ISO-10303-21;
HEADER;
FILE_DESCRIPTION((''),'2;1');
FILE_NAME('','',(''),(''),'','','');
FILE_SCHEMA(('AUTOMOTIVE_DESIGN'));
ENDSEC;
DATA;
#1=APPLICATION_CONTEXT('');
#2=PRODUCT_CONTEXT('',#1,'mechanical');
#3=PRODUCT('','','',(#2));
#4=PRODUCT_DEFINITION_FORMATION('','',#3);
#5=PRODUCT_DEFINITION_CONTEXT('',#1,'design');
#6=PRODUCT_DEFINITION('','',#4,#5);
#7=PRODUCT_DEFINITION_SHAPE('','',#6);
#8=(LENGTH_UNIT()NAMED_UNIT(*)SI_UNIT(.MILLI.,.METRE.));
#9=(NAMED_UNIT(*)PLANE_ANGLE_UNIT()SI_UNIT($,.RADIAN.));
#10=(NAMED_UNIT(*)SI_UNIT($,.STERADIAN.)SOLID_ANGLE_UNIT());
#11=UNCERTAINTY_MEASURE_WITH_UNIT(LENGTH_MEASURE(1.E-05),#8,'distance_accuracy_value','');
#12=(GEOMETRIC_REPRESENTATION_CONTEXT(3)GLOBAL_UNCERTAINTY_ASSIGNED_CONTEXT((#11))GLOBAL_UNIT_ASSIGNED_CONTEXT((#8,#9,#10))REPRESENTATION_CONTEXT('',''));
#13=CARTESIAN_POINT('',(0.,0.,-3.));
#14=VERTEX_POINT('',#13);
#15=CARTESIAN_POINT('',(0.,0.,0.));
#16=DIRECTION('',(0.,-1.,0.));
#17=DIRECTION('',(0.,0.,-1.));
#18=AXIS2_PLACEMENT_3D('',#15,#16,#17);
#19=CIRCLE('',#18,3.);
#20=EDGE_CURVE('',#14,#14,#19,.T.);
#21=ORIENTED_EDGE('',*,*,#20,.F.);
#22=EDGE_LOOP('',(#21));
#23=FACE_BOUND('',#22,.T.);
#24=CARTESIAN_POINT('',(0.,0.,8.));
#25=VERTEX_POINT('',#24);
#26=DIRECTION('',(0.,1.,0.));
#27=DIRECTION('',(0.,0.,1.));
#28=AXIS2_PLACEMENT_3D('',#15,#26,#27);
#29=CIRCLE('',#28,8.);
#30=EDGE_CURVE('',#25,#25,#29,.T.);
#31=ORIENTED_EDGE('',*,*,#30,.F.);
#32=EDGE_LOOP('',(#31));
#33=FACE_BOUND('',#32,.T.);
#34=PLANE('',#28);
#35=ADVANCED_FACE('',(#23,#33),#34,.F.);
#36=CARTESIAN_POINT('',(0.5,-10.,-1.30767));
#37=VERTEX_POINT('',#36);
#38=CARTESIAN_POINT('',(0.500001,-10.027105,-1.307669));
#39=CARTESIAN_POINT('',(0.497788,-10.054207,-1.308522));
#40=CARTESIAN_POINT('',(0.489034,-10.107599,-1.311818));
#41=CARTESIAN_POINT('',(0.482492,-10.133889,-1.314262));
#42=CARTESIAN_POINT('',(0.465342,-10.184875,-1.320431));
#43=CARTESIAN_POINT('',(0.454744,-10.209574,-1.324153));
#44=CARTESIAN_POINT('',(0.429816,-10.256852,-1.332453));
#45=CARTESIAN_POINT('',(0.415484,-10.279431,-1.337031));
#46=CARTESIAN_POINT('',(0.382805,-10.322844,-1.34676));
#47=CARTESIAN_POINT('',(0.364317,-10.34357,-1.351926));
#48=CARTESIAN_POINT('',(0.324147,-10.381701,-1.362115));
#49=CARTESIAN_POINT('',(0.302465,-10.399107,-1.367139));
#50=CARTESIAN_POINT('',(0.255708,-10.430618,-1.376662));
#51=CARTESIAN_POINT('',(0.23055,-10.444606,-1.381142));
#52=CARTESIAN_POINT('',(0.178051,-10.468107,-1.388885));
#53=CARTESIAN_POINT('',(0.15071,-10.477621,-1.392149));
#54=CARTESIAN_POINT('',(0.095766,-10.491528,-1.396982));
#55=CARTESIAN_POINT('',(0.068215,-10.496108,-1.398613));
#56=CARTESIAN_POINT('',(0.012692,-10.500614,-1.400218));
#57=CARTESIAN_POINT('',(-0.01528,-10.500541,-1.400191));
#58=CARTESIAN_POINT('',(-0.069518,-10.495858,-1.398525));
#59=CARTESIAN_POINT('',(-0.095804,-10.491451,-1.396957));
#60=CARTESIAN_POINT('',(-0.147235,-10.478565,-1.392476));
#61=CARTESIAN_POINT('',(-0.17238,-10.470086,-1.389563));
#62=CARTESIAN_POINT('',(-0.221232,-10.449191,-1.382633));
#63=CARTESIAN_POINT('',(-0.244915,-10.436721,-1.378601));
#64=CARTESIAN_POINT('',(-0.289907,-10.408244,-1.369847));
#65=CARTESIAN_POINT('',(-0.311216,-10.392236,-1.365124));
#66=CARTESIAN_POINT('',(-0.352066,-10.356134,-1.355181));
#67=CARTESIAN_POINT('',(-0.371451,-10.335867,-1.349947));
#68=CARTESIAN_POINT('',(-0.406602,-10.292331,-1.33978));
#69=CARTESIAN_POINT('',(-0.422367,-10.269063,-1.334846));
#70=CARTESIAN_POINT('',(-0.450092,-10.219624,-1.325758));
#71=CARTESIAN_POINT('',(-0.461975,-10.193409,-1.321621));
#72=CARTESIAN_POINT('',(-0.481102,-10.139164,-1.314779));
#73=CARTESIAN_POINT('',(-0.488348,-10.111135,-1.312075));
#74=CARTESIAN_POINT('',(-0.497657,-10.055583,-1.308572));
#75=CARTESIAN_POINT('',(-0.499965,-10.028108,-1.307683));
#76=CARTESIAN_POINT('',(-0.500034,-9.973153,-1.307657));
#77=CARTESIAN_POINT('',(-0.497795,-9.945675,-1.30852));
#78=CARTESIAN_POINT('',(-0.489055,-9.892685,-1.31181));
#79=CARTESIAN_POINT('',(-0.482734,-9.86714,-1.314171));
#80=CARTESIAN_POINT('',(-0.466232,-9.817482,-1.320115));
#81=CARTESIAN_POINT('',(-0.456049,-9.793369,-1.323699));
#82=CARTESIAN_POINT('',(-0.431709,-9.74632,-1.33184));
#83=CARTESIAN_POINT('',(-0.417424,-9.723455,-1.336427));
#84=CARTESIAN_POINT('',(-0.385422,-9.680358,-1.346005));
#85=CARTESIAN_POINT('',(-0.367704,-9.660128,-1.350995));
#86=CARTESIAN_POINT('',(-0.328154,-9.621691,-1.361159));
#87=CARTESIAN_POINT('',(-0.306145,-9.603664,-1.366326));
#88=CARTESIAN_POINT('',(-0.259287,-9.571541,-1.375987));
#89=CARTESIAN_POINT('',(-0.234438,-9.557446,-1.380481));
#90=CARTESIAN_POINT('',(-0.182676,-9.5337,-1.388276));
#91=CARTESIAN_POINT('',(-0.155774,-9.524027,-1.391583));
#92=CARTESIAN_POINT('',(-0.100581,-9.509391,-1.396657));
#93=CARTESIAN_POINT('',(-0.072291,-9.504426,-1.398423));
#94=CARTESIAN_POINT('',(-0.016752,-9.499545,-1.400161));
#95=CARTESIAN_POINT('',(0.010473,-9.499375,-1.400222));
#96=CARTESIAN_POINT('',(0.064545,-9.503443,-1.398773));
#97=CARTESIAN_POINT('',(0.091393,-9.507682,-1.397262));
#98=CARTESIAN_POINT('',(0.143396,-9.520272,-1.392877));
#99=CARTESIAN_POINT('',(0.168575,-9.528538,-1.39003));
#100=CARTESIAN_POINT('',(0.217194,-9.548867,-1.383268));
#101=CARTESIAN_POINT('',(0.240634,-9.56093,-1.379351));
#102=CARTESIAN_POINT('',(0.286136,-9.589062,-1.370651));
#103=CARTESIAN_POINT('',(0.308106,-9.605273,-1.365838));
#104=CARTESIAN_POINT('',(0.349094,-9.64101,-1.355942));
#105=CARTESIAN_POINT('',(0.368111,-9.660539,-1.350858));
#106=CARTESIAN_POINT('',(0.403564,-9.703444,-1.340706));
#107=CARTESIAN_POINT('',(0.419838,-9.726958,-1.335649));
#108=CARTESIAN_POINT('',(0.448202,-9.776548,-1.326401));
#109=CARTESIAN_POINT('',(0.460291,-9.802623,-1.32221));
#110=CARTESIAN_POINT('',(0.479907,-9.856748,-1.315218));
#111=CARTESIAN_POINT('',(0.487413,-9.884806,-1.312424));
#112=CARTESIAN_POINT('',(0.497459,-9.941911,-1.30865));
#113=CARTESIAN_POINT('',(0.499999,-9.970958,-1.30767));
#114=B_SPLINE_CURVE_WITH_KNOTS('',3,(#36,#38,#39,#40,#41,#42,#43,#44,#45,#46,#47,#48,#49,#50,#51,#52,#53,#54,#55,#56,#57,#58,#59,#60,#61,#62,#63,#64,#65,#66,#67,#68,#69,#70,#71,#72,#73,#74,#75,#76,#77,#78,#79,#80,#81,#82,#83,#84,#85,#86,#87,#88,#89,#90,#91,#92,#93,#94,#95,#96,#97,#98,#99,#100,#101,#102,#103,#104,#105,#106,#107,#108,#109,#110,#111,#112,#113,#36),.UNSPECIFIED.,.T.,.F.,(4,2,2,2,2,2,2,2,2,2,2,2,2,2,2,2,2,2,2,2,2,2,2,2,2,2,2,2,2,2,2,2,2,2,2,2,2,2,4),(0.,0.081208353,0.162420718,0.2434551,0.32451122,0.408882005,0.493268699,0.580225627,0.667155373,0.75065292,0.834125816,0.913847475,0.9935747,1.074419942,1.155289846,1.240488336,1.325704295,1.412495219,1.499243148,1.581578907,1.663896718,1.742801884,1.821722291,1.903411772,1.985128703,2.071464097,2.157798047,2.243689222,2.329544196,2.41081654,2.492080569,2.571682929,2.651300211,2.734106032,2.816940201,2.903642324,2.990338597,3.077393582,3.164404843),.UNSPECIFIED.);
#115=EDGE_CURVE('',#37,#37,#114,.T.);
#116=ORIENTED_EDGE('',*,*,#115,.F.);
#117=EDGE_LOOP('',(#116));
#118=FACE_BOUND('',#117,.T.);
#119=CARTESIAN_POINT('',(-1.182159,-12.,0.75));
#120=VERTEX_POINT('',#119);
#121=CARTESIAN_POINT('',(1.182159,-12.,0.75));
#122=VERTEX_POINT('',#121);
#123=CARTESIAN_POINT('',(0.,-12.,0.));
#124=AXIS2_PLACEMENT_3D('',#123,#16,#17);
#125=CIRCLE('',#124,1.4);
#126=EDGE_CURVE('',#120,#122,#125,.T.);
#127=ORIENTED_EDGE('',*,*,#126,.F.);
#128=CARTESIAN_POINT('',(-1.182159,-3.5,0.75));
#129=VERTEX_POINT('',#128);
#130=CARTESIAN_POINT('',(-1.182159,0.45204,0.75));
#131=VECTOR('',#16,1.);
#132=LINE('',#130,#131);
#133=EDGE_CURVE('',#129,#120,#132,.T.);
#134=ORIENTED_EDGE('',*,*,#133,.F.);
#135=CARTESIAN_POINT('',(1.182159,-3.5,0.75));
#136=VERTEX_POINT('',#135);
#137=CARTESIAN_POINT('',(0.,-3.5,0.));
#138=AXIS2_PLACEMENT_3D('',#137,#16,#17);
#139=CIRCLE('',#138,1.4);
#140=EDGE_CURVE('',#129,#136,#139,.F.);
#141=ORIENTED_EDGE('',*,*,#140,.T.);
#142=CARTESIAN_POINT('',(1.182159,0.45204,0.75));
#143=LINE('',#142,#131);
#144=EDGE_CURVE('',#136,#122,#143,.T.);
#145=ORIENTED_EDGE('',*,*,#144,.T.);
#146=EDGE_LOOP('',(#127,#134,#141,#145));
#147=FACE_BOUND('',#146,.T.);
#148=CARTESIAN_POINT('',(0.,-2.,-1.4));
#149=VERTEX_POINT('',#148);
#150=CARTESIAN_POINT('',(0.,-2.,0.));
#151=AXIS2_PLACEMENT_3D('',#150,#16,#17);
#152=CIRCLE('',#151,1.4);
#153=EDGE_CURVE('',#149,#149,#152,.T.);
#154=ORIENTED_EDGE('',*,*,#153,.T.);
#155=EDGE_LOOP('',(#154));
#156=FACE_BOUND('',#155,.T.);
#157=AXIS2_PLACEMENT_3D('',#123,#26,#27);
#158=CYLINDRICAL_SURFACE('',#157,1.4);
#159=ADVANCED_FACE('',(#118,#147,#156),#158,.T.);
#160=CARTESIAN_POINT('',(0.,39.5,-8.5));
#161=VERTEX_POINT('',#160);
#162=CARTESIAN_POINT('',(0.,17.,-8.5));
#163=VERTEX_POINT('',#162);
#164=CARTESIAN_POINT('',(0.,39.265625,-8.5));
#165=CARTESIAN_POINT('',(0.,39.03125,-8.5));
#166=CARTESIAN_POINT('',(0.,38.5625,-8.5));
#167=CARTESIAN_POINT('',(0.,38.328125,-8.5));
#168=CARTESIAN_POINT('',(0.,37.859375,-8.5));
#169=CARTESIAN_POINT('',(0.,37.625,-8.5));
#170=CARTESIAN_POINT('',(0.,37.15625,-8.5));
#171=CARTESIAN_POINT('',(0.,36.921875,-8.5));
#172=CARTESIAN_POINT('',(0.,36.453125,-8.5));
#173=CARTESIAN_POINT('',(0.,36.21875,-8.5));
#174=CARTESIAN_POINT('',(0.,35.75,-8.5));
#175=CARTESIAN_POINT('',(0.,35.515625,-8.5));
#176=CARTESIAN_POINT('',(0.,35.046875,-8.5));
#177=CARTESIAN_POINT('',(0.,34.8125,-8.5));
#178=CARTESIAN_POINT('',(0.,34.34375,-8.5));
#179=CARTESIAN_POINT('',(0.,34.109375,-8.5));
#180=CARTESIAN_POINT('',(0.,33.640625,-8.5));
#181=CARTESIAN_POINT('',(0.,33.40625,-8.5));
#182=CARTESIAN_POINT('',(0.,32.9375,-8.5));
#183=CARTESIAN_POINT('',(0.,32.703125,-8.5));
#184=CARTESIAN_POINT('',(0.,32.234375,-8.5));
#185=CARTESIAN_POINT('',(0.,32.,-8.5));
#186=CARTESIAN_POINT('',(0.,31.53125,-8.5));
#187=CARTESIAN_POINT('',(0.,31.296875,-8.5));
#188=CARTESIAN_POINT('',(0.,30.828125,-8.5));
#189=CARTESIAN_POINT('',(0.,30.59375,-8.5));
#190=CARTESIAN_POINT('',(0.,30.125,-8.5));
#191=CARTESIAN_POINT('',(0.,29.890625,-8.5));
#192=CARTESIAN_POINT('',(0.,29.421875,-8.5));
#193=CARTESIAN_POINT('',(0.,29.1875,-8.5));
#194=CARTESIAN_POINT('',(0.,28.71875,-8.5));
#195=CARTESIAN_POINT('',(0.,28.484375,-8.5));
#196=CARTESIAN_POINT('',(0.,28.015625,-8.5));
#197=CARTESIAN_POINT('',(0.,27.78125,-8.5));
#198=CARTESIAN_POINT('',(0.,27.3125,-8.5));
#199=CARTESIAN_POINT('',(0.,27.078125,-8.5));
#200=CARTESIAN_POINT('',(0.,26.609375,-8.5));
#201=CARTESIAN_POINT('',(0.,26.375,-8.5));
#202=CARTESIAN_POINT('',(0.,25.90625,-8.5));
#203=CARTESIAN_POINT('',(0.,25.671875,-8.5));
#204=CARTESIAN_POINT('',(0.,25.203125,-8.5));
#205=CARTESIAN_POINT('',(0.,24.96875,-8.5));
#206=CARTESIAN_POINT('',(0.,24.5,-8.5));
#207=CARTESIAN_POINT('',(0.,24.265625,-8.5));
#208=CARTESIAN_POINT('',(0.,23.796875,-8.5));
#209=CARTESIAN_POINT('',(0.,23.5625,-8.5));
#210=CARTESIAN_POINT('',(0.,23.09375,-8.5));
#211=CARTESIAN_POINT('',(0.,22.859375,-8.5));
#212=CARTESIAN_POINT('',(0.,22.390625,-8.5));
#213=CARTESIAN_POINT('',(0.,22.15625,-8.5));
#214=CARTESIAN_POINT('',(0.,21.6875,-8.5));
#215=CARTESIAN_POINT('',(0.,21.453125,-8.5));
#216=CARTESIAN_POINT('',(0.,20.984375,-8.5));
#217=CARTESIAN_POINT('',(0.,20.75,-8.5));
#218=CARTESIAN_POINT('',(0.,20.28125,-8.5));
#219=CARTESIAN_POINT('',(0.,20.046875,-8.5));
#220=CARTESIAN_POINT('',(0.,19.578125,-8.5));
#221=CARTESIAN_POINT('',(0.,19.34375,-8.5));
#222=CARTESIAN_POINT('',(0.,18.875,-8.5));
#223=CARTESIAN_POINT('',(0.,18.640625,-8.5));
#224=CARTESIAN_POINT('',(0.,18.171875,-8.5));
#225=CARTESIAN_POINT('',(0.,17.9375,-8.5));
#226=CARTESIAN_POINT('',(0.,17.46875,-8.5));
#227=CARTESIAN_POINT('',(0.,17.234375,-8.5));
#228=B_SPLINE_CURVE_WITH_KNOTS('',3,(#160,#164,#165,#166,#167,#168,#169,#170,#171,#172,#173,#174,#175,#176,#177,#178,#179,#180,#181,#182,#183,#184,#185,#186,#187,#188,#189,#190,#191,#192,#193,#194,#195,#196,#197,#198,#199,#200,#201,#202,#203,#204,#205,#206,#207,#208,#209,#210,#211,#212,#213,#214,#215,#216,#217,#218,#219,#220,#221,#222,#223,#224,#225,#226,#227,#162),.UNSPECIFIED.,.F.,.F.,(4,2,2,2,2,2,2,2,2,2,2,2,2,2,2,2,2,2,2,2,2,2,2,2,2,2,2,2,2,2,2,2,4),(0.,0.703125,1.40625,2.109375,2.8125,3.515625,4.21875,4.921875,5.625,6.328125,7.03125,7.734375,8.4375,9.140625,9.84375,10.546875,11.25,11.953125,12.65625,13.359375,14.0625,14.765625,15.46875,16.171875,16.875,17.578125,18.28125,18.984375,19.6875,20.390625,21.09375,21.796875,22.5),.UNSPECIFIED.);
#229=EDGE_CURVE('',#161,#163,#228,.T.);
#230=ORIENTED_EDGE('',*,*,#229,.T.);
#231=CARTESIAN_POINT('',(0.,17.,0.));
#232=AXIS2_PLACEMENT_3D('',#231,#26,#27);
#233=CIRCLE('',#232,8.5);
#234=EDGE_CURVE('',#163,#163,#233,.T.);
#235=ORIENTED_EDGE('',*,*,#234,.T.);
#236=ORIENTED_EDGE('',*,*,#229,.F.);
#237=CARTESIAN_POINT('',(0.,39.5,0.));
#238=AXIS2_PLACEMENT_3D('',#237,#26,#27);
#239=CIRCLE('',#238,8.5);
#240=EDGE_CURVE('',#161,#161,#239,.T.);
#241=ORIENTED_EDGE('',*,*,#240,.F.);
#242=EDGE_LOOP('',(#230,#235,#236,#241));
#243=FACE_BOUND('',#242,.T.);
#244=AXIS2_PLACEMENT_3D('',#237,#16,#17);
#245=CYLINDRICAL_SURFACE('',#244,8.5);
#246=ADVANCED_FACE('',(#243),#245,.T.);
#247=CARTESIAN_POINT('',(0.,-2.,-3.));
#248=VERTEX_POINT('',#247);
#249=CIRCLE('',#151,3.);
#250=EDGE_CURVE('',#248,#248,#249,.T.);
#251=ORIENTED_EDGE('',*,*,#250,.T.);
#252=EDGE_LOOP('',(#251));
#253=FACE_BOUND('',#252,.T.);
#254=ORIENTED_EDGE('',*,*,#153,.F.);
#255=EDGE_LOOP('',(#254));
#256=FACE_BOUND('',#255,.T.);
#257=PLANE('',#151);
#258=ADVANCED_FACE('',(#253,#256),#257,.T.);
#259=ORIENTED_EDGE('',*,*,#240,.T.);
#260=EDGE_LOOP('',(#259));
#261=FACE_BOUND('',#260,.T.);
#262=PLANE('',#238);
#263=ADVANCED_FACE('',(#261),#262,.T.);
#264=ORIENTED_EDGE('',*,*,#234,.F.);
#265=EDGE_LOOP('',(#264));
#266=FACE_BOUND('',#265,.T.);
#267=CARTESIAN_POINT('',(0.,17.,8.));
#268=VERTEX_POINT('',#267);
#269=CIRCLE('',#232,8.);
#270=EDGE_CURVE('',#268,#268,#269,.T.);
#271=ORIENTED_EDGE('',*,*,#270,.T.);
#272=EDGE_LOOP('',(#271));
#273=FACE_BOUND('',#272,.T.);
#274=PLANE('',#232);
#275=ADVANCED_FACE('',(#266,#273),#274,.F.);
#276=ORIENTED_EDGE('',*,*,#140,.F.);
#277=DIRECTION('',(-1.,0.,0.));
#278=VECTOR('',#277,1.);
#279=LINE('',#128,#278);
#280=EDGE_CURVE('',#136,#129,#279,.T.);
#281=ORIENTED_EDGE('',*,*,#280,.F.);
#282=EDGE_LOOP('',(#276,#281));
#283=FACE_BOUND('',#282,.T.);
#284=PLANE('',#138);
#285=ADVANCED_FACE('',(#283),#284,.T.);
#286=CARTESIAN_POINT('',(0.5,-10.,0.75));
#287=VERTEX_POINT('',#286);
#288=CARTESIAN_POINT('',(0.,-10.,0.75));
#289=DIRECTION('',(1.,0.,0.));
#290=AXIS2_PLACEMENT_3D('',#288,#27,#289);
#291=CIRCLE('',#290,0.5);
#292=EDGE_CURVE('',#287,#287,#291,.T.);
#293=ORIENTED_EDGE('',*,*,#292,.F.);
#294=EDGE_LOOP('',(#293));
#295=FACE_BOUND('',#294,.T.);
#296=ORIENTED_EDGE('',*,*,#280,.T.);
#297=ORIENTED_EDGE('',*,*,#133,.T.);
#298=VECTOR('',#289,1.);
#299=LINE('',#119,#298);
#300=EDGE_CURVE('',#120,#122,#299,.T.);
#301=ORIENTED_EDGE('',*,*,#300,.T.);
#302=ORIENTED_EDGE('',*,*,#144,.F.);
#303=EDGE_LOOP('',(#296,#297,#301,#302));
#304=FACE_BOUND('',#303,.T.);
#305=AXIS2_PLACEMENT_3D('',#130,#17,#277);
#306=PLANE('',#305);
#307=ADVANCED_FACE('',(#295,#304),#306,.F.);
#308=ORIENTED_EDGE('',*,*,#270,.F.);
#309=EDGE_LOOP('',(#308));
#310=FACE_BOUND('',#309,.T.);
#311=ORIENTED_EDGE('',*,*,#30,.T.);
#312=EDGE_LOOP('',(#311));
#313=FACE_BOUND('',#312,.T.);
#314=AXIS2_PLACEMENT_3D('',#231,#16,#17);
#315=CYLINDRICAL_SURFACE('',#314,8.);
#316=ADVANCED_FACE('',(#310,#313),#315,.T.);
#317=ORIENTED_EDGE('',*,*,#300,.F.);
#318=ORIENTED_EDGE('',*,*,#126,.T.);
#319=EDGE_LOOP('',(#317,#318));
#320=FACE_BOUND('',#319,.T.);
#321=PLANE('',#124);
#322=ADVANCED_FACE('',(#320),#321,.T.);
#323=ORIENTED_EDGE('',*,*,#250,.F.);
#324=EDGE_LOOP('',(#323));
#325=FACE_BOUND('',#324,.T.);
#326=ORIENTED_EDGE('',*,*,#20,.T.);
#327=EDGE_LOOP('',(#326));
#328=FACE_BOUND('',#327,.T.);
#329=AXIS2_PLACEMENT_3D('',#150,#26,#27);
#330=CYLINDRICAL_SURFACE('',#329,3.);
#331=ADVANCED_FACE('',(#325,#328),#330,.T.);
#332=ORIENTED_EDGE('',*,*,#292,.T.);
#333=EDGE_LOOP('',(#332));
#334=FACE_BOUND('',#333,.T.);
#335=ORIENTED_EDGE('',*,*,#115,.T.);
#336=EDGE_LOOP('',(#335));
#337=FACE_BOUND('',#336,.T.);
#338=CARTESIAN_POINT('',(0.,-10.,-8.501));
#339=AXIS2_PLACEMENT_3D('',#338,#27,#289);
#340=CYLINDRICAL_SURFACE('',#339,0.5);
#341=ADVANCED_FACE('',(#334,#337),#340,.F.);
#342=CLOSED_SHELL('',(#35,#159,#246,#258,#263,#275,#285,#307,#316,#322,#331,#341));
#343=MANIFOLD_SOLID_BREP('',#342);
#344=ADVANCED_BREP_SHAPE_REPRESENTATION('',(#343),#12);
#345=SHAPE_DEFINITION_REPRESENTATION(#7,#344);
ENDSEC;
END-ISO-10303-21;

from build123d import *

# Parameters (mm, degrees)
SKETCH1_R               = 8
BOSS_EXTRUDE1_DEPTH     = 17
SKETCH2_R               = 8.5
BOSS_EXTRUDE2_DEPTH     = 22.5
SKETCH3_R               = 3
BOSS_EXTRUDE3_DEPTH     = 2
SKETCH4_R               = 1.4
BOSS_EXTRUDE4_DEPTH     = 10
CUT_EXTRUDE1_START      = -8.5
CUT_EXTRUDE1_DEPTH      = 8.5
CUT_EXTRUDE2_REACH      = 43.45
CUT_EXTRUDE2_END_RADIUS = 1.4
SKETCH6_R               = 0.5


with BuildPart() as part:
    # Sketch1 → Boss-Extrude1 (new body)
    with BuildSketch(Plane(origin=(0, 0, 0), x_dir=(1, 0, 0), z_dir=(0, 1, 0))):
        with Locations(Location((0, 0, 0), (0, 0, 270))):
            Circle(SKETCH1_R)
    extrude(amount=BOSS_EXTRUDE1_DEPTH)

    # Sketch2 → Boss-Extrude2 (add)
    with BuildSketch(Plane(origin=(0, 17, 0), x_dir=(1, 0, 0), z_dir=(0, 1, 0))):
        with Locations(Location((0, 0, 0), (0, 0, 90))):
            Circle(SKETCH2_R)
    extrude(amount=BOSS_EXTRUDE2_DEPTH)

    # Sketch3 → Boss-Extrude3 (add)
    with BuildSketch(Plane.XZ):
        with Locations(Location((0, 0, 0), (0, 0, 270))):
            Circle(SKETCH3_R)
    extrude(amount=BOSS_EXTRUDE3_DEPTH)

    # Sketch4 → Boss-Extrude4 (add)
    with BuildSketch(Plane.XZ.offset(2)):
        with Locations(Location((0, 0, 0), (0, 0, 270))):
            Circle(SKETCH4_R)
    extrude(amount=BOSS_EXTRUDE4_DEPTH)

    # Sketch5 → Cut-Extrude1 (cut)
    with BuildSketch(Plane.XZ.offset(12).offset(CUT_EXTRUDE1_START)):
        with BuildLine():
            Line((-1.182159042, 0.75), (1.182159042, 0.75))
            ThreePointArc((1.182159042, 0.75), (0, 1.4), (-1.182159042, 0.75))
        make_face()
    extrude(amount=CUT_EXTRUDE1_DEPTH, mode=Mode.SUBTRACT)

    # Cut-Extrude2: up to this cylinder (the profile starts inside it)
    cut_extrude2_end = Plane(origin=(0, -10, 0), z_dir=(0, 1, 0)) * Cylinder(CUT_EXTRUDE2_END_RADIUS, 90.7, mode=Mode.PRIVATE)
    # Sketch6 → Cut-Extrude2 (cut, up to the surface)
    with BuildSketch(Plane.XY.offset(0.75), mode=Mode.PRIVATE) as cut_extrude2_sk1:
        with Locations((0, -10)):
            Circle(SKETCH6_R)
    cut_extrude2_tool1 = extrude(cut_extrude2_sk1.sketch, amount=-CUT_EXTRUDE2_REACH, mode=Mode.PRIVATE) & cut_extrude2_end
    add(cut_extrude2_tool1.solids().sort_by_distance((0, -10, 0.75))[0], mode=Mode.SUBTRACT)


solid = part.part
